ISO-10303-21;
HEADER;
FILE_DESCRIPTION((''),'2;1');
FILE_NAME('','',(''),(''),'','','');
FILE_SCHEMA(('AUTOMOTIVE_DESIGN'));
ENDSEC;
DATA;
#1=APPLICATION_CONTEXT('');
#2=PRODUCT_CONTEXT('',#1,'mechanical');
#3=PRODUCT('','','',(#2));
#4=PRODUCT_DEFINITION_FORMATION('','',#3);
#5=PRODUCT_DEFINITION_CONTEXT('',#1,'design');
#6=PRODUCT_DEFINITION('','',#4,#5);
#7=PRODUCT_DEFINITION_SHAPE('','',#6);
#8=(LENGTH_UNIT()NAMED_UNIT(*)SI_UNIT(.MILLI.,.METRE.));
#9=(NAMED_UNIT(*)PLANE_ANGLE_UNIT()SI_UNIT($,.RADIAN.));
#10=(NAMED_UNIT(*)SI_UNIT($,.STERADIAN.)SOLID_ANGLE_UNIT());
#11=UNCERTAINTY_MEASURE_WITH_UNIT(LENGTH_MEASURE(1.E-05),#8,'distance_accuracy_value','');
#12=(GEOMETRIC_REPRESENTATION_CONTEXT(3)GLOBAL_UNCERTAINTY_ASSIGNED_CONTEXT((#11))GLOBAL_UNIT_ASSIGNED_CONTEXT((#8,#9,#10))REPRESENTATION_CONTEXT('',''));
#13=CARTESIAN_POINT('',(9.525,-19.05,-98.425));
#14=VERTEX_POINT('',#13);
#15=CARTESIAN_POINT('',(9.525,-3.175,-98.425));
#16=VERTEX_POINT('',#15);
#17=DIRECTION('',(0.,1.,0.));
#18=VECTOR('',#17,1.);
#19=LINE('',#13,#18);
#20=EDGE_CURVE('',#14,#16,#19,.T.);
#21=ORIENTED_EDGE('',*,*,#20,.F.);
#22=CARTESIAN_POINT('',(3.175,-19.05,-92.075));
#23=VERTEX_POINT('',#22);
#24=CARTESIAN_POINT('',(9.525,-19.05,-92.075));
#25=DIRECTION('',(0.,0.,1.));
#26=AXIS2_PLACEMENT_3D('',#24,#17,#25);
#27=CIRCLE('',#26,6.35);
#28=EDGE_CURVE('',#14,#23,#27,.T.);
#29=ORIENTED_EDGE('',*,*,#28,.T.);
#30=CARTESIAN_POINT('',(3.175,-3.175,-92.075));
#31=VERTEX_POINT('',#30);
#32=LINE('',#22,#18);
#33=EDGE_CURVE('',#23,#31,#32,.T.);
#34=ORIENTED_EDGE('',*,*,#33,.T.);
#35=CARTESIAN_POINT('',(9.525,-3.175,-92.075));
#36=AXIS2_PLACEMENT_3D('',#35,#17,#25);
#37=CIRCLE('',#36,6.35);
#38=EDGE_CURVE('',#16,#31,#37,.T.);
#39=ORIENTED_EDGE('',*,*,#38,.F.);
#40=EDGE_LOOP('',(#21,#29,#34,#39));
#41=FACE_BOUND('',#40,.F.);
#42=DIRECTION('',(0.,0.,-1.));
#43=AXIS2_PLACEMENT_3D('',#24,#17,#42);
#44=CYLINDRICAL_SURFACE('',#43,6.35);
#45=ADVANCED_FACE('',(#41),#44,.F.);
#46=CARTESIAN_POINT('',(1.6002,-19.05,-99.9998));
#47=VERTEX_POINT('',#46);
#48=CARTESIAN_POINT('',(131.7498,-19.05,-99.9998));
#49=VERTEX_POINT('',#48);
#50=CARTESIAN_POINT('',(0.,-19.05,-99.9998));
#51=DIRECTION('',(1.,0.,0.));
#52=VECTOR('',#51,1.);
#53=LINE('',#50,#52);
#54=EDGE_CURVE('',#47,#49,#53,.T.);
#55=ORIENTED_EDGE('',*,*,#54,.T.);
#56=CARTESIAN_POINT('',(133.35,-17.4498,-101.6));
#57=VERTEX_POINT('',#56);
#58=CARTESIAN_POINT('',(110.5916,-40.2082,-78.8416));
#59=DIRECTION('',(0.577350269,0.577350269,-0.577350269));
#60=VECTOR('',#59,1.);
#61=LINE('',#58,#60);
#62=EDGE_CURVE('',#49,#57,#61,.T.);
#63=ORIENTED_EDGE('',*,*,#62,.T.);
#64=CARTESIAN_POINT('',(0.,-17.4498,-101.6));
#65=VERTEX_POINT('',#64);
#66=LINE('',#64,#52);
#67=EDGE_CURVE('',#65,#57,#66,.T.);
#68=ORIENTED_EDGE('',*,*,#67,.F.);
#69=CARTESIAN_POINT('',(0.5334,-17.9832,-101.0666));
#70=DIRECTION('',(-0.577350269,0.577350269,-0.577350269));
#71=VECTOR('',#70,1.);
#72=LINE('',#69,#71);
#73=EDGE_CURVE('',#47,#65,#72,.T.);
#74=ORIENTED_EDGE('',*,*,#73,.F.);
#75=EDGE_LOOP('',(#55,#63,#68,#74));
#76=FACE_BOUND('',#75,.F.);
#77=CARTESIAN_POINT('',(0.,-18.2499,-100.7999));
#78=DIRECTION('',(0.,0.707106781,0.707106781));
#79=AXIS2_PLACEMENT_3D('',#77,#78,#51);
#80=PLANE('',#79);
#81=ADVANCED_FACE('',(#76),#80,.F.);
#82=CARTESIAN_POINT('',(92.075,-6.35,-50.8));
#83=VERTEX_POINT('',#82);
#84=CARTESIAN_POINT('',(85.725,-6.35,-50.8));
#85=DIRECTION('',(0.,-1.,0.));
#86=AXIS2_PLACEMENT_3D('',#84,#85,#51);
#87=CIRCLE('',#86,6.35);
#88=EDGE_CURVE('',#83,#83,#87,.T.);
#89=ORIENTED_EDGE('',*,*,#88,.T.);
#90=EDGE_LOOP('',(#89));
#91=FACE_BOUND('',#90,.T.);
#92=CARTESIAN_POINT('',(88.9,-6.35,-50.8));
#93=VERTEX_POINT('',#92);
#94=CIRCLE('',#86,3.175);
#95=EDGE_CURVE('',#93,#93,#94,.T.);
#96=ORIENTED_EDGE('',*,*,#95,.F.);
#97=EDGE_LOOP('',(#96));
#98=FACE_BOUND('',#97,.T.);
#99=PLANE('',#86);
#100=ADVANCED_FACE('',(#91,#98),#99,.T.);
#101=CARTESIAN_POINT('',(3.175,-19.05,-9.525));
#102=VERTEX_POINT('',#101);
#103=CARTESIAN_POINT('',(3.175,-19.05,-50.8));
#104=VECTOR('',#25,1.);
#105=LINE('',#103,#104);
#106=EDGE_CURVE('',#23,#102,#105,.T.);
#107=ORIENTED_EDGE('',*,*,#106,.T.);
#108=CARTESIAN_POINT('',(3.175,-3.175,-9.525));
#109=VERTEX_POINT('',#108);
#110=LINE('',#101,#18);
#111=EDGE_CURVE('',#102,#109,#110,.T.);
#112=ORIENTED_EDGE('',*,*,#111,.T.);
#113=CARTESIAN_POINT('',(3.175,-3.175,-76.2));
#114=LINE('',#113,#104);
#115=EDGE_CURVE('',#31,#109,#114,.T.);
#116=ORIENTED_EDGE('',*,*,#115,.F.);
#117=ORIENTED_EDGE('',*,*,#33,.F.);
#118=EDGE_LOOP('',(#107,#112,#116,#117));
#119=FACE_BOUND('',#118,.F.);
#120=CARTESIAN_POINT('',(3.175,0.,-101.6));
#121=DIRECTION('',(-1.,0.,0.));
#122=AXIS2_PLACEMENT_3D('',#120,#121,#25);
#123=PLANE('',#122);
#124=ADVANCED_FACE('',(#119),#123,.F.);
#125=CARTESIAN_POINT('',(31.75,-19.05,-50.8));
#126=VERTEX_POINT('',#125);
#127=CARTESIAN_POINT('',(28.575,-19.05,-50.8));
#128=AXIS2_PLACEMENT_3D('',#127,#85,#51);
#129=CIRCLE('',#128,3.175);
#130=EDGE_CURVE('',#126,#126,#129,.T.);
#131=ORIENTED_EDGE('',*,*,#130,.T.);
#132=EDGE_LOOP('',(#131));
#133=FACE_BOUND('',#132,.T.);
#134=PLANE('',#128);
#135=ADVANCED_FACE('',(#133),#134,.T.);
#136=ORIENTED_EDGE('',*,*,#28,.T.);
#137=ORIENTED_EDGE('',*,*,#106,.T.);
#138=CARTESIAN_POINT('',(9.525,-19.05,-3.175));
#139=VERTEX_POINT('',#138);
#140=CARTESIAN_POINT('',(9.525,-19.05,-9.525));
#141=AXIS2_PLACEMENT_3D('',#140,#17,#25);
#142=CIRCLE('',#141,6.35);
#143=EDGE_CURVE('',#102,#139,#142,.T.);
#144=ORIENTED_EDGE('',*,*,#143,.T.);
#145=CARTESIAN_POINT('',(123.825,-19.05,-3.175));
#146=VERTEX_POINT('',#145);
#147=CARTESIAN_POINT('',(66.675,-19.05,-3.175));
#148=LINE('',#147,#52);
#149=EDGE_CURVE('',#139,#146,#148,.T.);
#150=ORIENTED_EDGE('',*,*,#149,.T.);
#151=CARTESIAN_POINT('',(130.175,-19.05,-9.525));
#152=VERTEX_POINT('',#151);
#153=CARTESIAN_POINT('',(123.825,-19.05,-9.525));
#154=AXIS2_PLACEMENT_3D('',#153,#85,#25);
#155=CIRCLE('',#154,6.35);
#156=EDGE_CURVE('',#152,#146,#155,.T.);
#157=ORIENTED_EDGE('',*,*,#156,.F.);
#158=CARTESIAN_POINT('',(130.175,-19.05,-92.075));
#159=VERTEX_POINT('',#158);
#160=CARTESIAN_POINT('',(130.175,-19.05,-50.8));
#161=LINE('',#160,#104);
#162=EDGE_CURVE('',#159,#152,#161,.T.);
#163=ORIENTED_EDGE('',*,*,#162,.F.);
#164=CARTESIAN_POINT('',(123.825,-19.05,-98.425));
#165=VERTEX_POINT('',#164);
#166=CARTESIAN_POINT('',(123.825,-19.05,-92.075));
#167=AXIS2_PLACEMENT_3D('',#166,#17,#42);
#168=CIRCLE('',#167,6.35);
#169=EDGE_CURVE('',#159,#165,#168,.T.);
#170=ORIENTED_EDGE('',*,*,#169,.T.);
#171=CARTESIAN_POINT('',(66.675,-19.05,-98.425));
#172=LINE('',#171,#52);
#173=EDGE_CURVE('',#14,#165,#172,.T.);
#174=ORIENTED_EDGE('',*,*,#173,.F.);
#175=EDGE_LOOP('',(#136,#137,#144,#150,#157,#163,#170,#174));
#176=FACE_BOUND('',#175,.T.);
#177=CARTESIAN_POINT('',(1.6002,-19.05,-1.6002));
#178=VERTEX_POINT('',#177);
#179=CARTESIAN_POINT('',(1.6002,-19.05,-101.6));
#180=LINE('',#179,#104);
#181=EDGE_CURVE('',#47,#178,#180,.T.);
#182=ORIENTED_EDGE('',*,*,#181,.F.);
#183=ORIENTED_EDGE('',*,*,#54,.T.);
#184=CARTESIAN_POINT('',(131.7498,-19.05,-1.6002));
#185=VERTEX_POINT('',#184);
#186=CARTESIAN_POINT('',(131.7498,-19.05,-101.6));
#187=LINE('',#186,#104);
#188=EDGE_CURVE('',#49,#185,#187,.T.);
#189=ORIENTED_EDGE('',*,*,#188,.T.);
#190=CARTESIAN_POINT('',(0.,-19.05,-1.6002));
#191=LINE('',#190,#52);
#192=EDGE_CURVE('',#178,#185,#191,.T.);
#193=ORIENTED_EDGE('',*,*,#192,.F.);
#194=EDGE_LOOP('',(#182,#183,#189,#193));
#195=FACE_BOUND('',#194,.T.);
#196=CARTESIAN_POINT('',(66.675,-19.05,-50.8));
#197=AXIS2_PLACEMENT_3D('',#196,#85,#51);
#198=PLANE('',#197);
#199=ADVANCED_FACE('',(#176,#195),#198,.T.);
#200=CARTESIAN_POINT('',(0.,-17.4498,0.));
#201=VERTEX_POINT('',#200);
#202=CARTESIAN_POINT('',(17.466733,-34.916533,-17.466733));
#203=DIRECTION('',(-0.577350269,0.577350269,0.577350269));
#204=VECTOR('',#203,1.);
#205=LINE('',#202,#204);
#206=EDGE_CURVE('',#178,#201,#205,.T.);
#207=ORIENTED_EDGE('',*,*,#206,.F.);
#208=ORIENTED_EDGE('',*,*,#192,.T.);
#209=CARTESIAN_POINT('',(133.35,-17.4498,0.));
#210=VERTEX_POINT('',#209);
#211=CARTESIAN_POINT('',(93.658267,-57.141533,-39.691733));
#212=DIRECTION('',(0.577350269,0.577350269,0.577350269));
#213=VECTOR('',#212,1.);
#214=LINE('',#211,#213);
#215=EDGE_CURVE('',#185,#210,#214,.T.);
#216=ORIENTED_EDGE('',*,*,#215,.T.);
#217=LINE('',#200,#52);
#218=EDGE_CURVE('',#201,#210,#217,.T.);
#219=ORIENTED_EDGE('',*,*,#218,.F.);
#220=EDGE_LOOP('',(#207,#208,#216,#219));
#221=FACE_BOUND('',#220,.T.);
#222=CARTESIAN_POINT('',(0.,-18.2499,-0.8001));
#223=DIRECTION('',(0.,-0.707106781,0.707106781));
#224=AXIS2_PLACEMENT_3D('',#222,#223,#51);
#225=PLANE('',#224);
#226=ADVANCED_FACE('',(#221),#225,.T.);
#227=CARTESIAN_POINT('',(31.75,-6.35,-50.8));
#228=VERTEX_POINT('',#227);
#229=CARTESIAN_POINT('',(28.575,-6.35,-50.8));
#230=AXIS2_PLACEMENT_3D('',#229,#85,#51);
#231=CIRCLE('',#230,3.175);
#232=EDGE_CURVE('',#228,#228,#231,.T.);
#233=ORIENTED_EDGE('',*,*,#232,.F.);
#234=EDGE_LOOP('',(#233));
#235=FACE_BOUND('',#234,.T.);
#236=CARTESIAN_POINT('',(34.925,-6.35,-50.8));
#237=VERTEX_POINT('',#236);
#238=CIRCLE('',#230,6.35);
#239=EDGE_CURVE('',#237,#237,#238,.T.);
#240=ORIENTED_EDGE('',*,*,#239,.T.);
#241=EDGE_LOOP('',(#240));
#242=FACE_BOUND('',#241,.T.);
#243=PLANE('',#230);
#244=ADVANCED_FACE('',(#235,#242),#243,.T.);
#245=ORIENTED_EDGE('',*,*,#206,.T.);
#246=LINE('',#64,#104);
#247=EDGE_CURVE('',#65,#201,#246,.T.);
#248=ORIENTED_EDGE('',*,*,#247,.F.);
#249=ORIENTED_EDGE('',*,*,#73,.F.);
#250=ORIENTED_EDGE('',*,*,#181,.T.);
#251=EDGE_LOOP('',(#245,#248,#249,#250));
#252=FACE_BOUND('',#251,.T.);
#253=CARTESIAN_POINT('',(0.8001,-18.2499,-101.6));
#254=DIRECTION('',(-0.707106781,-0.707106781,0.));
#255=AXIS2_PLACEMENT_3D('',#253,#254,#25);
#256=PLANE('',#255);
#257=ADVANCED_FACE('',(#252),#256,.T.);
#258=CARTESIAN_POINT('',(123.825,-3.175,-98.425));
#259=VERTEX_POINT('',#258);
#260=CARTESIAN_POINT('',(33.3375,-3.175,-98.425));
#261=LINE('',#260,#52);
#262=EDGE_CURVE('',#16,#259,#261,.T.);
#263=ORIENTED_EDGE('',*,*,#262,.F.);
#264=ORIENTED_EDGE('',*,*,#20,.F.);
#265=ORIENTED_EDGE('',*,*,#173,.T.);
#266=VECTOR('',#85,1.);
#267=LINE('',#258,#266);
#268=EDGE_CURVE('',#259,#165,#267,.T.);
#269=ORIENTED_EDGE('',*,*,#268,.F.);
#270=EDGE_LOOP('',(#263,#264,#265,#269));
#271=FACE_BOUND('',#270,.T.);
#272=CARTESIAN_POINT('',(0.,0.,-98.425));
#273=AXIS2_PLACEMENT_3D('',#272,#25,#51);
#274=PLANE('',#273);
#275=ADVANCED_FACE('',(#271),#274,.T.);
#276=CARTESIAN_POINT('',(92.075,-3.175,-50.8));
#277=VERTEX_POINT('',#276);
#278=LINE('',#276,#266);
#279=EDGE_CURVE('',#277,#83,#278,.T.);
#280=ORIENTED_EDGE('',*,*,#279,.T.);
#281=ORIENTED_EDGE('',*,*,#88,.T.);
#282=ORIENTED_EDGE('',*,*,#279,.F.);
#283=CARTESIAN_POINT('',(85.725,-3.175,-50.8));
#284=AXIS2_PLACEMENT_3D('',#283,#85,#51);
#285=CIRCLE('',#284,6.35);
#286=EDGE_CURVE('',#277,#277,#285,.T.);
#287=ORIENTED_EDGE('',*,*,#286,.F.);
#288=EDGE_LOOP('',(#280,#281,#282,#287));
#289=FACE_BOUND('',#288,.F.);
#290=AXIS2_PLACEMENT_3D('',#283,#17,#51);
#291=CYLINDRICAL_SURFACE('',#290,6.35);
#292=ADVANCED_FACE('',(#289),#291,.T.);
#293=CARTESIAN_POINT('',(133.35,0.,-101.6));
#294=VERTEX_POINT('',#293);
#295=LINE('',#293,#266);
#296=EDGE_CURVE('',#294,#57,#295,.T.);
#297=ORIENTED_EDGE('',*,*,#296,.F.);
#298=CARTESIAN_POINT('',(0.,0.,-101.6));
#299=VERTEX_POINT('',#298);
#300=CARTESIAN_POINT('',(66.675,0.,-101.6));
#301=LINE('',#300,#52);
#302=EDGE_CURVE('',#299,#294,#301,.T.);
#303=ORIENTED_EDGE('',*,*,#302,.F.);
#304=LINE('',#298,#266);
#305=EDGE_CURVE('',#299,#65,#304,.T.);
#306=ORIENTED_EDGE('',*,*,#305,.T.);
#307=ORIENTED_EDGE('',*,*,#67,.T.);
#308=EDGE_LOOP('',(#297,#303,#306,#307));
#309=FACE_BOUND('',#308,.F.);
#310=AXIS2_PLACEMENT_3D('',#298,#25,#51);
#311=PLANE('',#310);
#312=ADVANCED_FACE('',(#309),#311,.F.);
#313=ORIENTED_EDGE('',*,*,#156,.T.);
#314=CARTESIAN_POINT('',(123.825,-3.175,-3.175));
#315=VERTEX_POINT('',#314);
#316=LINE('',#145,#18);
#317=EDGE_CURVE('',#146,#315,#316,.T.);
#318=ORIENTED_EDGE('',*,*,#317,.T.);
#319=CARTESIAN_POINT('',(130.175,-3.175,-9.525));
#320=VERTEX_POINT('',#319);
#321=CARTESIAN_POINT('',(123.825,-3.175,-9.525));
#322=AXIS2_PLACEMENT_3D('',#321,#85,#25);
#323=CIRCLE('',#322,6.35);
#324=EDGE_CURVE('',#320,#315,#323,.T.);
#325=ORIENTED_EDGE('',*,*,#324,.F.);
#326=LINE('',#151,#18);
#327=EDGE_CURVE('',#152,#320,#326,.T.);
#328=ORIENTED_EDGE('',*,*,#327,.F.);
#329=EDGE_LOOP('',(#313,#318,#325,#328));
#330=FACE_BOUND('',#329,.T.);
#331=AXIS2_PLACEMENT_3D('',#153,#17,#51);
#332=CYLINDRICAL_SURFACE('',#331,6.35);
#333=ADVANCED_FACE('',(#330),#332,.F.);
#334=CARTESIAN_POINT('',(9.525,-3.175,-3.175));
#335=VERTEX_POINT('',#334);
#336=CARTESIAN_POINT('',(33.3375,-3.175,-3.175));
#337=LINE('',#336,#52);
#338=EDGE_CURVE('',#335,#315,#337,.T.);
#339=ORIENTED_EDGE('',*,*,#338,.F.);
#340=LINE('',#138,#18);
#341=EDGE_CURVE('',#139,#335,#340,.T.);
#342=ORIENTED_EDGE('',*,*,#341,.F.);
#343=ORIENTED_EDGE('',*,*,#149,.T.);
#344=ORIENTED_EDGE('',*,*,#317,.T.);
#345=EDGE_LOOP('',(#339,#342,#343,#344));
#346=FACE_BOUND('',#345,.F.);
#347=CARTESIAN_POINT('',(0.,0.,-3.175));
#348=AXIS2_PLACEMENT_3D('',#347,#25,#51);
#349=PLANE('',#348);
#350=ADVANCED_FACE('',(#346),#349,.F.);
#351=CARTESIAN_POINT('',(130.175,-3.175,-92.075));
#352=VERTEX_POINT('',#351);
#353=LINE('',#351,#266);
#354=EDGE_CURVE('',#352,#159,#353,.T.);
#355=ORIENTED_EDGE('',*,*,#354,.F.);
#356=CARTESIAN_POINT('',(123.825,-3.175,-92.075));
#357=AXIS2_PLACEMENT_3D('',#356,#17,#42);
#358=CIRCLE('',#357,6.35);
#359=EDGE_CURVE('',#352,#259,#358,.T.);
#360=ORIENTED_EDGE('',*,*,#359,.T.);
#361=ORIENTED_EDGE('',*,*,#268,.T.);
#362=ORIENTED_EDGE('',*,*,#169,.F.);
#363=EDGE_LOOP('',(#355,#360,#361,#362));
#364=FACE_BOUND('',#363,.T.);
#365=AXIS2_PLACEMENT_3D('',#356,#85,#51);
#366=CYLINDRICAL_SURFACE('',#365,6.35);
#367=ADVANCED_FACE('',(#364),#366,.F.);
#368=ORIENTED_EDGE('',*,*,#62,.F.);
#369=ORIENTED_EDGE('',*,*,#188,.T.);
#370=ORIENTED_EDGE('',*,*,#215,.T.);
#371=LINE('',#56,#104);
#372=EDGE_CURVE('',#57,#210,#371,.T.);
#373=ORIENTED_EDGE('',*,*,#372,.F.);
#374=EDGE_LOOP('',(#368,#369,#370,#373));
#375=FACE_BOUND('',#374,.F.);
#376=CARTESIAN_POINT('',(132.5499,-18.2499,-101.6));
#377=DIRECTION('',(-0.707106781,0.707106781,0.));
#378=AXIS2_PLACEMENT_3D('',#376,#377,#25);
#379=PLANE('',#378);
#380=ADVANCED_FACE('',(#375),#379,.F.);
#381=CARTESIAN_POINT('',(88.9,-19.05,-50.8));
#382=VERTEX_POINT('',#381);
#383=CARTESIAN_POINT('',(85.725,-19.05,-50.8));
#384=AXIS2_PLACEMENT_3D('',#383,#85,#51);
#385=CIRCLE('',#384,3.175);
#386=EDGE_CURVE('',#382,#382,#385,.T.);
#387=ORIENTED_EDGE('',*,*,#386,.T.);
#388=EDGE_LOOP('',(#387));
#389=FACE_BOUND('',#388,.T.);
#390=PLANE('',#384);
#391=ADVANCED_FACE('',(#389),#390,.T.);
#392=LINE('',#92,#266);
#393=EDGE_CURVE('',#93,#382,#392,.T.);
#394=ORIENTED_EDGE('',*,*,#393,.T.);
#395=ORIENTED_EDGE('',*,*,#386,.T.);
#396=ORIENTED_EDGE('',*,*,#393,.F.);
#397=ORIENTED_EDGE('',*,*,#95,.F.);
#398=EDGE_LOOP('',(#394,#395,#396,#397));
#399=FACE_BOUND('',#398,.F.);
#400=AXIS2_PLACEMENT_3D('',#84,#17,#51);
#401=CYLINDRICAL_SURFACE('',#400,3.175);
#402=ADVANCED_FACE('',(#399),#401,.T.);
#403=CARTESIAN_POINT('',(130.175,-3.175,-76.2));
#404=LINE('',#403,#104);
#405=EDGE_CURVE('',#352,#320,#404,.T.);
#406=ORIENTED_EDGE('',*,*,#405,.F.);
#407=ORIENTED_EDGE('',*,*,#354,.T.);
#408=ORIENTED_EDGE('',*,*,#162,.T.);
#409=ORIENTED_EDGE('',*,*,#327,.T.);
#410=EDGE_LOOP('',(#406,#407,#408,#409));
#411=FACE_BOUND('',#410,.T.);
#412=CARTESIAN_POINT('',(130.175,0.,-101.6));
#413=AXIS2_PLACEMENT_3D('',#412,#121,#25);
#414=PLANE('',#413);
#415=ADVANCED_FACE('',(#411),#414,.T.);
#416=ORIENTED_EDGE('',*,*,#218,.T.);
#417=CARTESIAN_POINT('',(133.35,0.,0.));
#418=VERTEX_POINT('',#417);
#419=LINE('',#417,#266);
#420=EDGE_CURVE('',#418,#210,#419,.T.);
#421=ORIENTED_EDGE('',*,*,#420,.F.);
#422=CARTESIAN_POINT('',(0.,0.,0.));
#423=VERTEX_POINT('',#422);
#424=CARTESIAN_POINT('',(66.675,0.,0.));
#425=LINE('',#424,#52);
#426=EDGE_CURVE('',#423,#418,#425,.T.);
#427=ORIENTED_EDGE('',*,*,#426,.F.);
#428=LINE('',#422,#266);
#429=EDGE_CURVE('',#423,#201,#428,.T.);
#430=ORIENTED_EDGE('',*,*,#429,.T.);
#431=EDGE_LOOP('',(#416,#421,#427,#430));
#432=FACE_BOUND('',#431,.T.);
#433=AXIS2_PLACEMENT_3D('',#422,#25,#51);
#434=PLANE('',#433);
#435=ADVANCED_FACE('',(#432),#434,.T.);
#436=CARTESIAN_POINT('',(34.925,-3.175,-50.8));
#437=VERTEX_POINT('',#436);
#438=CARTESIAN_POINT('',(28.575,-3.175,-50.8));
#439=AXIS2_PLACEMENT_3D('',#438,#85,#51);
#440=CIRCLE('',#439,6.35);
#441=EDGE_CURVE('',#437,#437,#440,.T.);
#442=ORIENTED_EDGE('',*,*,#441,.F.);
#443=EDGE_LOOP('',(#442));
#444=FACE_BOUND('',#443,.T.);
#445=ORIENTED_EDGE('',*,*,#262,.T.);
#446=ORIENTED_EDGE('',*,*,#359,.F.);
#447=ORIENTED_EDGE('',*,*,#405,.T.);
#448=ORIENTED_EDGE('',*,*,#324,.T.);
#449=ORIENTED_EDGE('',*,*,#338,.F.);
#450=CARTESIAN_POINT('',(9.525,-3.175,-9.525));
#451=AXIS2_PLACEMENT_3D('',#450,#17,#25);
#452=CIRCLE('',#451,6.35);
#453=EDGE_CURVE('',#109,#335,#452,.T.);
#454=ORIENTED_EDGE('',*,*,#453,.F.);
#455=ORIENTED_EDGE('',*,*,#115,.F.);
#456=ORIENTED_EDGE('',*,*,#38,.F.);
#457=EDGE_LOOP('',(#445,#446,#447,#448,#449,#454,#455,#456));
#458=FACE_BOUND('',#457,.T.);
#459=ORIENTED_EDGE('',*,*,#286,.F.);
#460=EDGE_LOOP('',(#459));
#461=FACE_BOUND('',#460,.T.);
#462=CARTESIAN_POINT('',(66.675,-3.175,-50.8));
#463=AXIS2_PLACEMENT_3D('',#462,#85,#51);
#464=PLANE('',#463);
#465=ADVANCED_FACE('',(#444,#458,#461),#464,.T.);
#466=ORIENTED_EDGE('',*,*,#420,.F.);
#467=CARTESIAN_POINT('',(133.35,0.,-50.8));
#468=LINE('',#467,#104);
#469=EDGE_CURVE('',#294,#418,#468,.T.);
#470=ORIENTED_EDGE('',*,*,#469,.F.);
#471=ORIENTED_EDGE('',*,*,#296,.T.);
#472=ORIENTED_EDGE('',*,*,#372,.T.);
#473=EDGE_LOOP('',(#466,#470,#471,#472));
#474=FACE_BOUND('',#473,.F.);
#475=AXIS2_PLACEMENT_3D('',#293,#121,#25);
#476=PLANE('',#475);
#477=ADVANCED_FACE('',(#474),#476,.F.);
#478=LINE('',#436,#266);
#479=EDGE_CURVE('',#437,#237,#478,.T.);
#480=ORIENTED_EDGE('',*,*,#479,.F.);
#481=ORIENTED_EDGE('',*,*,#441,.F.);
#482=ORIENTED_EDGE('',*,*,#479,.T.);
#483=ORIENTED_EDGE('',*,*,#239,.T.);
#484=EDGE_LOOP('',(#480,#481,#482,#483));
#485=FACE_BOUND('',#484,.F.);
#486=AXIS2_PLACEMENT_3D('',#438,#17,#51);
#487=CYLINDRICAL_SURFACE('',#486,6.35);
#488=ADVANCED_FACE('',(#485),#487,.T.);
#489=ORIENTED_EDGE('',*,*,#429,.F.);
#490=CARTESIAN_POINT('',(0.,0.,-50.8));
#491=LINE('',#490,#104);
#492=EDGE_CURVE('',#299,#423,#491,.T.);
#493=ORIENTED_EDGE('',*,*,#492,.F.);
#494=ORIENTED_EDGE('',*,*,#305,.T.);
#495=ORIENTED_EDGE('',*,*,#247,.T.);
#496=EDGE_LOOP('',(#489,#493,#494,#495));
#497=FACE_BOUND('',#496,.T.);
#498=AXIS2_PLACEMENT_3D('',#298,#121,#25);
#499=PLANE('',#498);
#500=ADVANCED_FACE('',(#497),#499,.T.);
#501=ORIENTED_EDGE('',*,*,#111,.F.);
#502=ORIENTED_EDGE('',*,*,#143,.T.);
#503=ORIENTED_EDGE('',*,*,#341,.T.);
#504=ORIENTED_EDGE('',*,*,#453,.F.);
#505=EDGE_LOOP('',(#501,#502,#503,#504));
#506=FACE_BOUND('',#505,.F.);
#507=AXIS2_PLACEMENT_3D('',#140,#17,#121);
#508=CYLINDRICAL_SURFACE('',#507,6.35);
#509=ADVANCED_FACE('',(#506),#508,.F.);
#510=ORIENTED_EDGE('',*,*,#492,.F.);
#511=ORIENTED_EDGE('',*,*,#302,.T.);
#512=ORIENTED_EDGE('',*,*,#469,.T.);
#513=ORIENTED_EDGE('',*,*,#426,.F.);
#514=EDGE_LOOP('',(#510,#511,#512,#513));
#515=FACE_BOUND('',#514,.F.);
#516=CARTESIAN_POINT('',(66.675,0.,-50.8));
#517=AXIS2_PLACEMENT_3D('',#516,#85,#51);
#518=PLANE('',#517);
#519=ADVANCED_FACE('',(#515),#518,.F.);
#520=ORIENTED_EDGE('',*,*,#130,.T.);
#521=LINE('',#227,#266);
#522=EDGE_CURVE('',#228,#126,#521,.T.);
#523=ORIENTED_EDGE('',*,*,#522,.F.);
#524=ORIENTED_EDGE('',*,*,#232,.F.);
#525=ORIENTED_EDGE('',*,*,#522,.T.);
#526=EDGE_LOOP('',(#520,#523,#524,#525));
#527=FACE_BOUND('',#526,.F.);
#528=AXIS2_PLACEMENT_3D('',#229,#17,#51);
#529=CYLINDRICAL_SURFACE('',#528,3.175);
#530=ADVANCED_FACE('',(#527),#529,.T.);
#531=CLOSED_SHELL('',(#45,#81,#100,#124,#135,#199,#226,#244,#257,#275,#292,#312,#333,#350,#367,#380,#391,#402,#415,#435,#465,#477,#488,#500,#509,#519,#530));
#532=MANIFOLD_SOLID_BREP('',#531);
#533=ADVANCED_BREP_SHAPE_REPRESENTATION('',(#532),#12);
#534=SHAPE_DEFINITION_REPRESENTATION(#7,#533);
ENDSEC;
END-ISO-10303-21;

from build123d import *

# Parameters (mm, degrees)
F0_W     = 133.35
F0_H     = 101.6
F1_DEPTH = 19.05
F2_T     = -3.175
F3_R     = 6.35
F4_DEPTH = 3.175
F5_R     = 3.175
F6_DEPTH = 12.7
F7_R     = 3.175
F8_DEPTH = 12.7
F9_R     = 6.35
F10_SIZE = 1.6002


with BuildPart() as f1:
    # F0 (on Front) → F1 (new body)
    with BuildSketch(Plane.XZ):
        with Locations((66.675, -50.8)):
            Rectangle(F0_W, F0_H)
    extrude(amount=F1_DEPTH)

    # F2
    f2_openings = [f1.faces().sort_by_distance(p)[0] for p in [
        (66.675, -19.05, -50.8),
    ]]
    offset(amount=F2_T, openings=f2_openings)

    # F3 (on face) → F4 (join)
    with BuildSketch(Plane.XZ.offset(3.175)):
        with Locations((28.575, -50.8)):
            Circle(F3_R)
        with Locations((85.725, -50.8)):
            Circle(F3_R)
    extrude(amount=F4_DEPTH)

    # F5 (on face) → F6 (join)
    with BuildSketch(Plane.XZ.offset(6.35)):
        with Locations((28.575, -50.8)):
            Circle(F5_R)
    extrude(amount=F6_DEPTH)

    # F7 (on face) → F8 (join)
    with BuildSketch(Plane.XZ.offset(6.35)):
        with Locations((85.725, -50.8)):
            Circle(F7_R)
    extrude(amount=F8_DEPTH)

    # F9
    f9_edges = [f1.edges().sort_by_distance(p)[0] for p in [
        (3.175, -11.1125, -3.175),
        (130.175, -11.1125, -3.175),
        (3.175, -11.1125, -98.425),
        (130.175, -11.1125, -98.425),
    ]]
    fillet(f9_edges, radius=F9_R)

    # F10
    f10_edges = [f1.edges().sort_by_distance(p)[0] for p in [
        (66.675, -19.05, -101.6),
        (133.35, -19.05, -50.8),
        (66.675, -19.05, 0),
        (0, -19.05, -50.8),
    ]]
    chamfer(f10_edges, length=F10_SIZE)


solid = f1.part
